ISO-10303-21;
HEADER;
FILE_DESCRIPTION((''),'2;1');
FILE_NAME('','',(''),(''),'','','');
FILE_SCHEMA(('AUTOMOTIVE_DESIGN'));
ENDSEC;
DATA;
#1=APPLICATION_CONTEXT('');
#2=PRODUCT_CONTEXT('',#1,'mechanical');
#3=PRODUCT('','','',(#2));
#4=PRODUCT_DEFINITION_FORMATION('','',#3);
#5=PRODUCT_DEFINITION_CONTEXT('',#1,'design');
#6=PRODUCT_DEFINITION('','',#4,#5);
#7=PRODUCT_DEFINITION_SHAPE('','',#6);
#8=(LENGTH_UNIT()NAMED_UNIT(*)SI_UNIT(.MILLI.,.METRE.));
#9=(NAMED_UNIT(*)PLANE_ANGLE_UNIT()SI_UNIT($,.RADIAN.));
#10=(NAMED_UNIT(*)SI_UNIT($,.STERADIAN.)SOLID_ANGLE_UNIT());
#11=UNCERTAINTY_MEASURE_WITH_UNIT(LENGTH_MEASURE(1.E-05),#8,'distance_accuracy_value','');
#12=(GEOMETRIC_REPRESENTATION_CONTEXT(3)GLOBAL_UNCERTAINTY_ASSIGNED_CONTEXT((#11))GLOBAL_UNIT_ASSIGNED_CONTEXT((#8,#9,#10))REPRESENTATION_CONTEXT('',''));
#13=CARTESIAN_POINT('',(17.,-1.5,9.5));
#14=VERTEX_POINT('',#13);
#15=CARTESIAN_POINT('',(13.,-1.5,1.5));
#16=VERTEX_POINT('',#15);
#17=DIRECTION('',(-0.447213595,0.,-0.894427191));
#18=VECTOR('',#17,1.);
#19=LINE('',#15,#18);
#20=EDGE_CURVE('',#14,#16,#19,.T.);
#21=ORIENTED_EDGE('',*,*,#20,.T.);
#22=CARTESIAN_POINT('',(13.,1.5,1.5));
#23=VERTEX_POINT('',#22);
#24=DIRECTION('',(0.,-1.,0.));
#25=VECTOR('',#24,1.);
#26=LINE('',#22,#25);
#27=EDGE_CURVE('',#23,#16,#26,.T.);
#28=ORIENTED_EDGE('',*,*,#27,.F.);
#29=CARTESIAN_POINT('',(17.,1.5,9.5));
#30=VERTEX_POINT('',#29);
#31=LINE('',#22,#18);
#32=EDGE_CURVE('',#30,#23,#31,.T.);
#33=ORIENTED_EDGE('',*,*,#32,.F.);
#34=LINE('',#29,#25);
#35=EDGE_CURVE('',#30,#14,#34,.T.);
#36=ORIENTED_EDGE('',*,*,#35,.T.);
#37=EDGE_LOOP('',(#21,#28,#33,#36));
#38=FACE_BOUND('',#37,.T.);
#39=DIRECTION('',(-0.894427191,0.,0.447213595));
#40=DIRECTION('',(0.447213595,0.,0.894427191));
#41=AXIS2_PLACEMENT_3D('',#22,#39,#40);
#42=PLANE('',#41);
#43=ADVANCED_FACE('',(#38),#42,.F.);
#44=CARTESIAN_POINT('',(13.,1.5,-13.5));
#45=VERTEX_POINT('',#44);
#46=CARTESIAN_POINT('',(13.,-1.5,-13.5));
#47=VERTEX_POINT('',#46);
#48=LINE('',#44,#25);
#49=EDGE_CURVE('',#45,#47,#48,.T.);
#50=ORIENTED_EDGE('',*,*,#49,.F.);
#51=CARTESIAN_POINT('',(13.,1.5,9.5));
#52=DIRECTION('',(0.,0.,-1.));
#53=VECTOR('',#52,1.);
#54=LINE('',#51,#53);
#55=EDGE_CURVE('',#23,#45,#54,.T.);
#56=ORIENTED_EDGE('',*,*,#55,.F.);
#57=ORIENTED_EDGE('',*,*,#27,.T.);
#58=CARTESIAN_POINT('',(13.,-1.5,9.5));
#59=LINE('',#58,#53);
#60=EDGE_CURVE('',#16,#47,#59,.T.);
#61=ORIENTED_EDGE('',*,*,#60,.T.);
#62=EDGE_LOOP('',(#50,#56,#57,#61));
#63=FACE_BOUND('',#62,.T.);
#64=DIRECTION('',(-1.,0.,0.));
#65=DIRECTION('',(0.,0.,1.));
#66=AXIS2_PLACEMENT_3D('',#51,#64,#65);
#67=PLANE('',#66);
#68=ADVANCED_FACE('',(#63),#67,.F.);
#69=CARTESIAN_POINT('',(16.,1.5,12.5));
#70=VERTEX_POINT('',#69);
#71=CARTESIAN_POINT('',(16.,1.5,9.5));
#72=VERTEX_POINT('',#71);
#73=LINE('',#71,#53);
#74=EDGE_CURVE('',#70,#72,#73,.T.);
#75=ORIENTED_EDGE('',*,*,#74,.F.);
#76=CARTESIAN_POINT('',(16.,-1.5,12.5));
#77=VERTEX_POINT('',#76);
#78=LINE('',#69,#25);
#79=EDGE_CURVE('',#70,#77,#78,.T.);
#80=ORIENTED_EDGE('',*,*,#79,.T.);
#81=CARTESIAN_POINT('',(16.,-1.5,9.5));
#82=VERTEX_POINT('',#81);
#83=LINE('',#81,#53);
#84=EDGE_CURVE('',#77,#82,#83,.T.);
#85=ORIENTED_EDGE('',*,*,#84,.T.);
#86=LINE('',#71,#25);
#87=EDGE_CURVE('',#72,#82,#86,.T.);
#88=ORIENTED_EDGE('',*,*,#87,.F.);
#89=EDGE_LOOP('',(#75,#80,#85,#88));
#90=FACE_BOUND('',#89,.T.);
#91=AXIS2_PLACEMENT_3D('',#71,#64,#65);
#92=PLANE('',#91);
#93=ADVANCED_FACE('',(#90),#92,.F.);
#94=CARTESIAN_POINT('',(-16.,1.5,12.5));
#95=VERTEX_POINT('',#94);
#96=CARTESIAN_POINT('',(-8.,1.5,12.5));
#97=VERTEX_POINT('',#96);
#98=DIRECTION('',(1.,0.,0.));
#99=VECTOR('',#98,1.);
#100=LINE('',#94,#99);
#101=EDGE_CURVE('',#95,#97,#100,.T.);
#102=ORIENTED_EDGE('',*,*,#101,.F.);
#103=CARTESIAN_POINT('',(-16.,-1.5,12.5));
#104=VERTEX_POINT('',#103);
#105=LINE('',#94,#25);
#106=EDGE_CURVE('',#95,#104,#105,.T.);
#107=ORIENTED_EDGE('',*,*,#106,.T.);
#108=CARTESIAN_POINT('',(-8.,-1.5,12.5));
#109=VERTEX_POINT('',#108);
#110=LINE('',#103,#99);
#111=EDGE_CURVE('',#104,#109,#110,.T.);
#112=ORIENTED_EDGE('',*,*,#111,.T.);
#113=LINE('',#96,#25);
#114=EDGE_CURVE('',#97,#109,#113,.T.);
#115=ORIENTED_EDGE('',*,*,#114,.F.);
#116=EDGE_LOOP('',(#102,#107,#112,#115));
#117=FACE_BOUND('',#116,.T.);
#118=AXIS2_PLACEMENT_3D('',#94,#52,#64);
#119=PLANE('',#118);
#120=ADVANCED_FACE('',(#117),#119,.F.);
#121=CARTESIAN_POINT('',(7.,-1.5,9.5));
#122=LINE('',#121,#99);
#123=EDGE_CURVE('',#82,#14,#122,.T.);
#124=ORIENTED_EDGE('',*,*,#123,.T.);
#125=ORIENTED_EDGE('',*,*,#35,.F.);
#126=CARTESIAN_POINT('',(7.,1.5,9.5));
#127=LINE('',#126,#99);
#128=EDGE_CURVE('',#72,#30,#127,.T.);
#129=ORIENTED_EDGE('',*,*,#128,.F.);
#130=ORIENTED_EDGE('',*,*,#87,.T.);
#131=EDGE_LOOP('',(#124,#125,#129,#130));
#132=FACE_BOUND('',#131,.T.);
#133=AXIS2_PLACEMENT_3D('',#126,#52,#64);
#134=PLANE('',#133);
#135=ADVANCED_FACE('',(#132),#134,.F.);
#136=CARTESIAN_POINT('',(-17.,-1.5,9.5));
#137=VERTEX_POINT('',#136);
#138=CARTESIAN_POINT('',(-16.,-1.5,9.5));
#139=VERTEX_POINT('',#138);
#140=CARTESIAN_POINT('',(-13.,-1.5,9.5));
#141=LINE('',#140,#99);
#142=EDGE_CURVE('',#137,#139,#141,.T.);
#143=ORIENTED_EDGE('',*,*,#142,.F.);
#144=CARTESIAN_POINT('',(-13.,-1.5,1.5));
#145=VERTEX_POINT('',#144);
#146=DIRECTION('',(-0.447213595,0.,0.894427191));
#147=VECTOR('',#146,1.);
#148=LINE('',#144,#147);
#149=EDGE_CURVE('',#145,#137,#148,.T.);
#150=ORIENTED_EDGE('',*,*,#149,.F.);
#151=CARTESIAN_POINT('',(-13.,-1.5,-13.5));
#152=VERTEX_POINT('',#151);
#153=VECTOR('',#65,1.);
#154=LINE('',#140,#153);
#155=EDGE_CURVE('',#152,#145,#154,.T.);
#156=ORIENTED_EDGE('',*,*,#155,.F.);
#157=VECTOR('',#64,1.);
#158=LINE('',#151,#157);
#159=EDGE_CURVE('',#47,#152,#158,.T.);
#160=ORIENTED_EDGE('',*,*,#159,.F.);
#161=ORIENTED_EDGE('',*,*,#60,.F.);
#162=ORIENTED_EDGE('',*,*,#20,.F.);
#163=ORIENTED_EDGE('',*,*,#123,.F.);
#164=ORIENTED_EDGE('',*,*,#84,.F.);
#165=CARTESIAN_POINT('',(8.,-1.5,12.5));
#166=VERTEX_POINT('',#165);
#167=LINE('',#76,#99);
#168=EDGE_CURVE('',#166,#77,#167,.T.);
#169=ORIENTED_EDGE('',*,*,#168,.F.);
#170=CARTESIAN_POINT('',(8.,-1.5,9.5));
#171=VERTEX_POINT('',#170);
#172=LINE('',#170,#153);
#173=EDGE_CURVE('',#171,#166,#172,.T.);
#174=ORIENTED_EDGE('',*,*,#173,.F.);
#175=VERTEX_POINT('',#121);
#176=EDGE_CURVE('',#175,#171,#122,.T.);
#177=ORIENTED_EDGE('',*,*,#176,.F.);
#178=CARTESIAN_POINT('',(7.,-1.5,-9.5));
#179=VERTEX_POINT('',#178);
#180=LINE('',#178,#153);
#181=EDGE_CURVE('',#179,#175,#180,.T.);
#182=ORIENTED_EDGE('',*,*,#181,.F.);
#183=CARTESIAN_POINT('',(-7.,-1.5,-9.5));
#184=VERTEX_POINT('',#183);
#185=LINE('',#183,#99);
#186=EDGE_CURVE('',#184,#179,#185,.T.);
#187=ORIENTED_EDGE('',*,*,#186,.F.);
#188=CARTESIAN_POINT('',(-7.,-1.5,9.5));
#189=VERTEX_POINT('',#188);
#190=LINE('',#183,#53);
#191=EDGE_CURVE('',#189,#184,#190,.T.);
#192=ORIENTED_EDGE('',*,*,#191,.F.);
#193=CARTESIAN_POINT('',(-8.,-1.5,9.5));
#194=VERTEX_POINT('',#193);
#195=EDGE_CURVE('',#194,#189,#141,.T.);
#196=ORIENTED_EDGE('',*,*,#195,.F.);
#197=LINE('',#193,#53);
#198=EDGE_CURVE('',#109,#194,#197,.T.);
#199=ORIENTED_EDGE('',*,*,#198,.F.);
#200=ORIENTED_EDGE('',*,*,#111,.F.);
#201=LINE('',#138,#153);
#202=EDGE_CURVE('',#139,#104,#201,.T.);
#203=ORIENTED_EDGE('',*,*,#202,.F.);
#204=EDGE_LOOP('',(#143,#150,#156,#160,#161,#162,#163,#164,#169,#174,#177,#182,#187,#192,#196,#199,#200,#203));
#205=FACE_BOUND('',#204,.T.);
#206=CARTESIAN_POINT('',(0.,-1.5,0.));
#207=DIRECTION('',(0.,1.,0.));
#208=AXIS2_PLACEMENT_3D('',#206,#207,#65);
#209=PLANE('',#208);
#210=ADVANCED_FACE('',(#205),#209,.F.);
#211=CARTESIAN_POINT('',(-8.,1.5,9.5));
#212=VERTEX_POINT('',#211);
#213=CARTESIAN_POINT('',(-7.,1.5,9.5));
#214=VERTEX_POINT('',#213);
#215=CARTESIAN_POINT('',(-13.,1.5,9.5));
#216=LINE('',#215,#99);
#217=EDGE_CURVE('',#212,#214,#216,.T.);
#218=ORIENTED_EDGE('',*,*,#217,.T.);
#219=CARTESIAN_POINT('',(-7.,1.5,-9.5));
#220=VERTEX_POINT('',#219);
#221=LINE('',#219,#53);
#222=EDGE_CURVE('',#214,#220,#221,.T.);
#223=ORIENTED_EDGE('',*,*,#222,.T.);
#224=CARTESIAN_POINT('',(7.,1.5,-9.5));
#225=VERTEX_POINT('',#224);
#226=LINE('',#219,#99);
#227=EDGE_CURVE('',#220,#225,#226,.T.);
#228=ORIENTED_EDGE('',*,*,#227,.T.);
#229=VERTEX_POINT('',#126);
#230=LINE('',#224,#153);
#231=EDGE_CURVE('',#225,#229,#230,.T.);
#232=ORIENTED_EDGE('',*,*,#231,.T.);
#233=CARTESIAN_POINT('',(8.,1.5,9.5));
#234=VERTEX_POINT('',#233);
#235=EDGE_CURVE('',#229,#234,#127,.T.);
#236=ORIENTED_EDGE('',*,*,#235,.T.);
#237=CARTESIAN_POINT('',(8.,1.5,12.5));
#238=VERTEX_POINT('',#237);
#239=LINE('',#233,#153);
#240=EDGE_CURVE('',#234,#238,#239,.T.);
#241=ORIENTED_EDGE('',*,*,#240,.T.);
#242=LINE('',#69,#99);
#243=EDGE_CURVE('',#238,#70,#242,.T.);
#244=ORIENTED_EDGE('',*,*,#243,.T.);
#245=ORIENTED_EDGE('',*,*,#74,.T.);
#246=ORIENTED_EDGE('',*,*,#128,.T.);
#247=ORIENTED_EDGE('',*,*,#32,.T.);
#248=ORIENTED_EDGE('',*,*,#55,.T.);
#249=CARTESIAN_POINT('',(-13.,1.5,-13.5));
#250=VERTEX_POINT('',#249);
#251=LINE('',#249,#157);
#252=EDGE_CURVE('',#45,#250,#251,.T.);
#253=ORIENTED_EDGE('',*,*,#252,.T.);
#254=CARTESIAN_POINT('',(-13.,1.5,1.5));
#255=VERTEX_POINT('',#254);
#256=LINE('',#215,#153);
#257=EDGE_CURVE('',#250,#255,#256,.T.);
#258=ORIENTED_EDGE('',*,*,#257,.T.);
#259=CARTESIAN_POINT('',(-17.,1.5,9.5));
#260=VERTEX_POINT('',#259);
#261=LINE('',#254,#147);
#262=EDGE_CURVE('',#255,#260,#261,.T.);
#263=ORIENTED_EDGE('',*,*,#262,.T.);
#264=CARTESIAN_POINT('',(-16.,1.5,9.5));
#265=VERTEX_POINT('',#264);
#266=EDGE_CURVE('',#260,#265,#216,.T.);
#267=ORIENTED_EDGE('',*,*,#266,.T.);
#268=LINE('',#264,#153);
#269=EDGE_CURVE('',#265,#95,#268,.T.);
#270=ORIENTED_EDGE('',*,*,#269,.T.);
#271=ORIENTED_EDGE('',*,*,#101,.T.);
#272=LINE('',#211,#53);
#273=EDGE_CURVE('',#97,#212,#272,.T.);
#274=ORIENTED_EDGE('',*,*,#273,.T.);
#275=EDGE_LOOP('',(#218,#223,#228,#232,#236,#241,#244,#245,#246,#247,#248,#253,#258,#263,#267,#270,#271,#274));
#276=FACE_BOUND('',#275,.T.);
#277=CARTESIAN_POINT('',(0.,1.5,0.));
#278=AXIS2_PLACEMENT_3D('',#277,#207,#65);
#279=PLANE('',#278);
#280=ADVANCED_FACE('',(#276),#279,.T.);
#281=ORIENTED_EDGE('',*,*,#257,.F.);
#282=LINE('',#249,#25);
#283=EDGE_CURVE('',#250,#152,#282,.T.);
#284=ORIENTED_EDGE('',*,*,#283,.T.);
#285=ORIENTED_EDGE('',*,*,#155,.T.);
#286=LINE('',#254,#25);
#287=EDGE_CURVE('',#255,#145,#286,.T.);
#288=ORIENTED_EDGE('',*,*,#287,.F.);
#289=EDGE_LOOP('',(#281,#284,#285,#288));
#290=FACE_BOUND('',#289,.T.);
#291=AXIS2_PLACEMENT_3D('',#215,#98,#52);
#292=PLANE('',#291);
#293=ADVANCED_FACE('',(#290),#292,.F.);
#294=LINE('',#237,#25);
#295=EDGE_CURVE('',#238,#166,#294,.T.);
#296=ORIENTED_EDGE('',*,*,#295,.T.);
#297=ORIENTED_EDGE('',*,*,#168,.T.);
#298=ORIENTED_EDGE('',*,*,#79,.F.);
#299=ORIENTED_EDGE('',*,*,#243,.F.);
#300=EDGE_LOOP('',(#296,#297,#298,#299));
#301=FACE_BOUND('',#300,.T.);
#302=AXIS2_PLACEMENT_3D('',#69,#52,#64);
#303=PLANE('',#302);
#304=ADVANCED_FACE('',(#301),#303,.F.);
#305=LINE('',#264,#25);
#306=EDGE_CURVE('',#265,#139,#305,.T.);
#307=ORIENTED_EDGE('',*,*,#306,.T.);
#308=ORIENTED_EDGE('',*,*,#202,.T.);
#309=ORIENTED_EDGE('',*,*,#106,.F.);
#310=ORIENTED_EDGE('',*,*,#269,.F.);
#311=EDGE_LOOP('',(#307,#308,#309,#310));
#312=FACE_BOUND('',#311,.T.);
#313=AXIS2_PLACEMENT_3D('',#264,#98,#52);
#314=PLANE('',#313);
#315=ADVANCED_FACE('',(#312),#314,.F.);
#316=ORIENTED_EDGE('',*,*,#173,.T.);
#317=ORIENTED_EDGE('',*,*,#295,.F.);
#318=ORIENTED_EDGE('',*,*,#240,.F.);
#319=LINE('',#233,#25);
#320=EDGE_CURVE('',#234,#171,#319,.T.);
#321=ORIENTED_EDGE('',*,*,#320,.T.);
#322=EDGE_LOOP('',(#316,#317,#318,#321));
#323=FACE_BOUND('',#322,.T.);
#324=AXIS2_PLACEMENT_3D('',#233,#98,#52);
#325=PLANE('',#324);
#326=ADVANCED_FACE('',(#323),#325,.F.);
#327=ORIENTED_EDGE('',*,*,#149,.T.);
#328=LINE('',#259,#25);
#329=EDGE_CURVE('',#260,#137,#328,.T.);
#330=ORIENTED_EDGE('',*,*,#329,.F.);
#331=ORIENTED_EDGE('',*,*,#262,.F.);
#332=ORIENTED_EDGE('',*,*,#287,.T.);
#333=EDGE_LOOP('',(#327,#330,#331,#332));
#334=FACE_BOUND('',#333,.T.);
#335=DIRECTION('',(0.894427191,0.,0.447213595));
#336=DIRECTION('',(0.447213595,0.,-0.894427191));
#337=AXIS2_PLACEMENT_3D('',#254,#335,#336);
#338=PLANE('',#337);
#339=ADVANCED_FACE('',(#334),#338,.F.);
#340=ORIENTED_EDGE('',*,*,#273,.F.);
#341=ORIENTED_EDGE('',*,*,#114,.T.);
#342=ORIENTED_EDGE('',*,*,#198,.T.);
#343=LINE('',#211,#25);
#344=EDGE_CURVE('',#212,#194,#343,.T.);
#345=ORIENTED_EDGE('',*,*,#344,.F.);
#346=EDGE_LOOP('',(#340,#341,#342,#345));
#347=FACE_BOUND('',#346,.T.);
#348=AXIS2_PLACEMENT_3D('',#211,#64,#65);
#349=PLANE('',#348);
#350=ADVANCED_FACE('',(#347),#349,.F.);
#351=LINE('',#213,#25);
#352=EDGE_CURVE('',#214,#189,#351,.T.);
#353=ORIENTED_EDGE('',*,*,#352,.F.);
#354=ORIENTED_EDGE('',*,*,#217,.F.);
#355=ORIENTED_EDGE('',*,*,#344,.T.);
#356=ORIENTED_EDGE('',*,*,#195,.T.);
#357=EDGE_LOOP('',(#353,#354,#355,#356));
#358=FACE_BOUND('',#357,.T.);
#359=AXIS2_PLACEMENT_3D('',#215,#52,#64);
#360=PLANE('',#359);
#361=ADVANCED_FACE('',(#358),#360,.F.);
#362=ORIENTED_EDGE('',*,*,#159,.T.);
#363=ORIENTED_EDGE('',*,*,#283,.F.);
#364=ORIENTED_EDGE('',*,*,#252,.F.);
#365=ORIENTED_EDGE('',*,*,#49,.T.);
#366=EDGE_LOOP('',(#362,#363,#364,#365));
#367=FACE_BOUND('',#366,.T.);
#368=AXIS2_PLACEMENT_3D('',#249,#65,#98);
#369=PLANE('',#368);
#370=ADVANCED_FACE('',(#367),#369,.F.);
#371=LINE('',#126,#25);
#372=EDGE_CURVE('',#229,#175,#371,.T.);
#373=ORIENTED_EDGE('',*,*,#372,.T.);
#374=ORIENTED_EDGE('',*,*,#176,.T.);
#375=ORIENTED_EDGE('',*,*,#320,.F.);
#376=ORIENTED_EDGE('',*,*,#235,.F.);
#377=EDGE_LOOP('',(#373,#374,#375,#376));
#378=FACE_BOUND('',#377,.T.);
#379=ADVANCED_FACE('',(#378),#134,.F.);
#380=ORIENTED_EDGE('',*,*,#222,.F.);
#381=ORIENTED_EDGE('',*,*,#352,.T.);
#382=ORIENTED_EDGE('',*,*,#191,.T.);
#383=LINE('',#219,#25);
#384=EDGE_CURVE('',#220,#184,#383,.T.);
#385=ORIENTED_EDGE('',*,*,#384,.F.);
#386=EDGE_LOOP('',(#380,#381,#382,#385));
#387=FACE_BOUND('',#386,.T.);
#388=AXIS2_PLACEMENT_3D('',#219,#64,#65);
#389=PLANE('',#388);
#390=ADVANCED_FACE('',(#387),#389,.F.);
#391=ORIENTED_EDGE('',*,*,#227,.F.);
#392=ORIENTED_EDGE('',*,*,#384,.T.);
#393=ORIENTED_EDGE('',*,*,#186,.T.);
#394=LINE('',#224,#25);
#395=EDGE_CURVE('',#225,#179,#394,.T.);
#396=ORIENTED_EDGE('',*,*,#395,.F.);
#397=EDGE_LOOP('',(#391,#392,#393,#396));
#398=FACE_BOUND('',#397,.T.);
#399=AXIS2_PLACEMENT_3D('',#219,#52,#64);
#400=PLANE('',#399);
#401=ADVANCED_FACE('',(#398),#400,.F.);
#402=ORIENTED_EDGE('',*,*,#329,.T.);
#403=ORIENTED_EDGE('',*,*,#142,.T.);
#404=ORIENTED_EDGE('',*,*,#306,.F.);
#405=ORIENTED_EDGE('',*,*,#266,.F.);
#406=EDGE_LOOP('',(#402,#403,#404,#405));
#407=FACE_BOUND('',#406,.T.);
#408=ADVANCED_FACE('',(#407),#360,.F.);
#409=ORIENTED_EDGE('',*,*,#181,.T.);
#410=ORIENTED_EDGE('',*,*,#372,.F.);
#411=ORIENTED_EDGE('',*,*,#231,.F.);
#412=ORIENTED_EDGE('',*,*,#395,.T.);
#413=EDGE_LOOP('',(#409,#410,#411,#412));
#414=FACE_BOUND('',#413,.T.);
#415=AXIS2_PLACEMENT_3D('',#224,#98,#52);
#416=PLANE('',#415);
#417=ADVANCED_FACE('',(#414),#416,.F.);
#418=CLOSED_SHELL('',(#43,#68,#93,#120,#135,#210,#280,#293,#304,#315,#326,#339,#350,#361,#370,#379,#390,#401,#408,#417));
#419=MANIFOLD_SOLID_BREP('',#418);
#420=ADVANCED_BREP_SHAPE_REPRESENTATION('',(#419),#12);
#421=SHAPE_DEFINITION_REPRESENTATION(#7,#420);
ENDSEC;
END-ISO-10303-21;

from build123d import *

# Parameters (mm, degrees)
BOSS_EXTRUDE1_DEPTH = 1.5
BOSS_EXTRUDE2_DEPTH = 1.5
SKETCH3_W           = 8
SKETCH3_H           = 3
BOSS_EXTRUDE3_DEPTH = 1.5


with BuildPart() as part:
    # Sketch1 → Boss-Extrude1 (new body, symmetric)
    with BuildSketch(Plane(origin=(0, 0, 0), x_dir=(1, 0, 0), z_dir=(0, 1, 0))):
        Polygon((7, -9.5), (13, -9.5), (13, 13.5), (-13, 13.5), (-13, -9.5), (-7, -9.5), (-7, 9.5), (7, 9.5), align=None)
    extrude(amount=BOSS_EXTRUDE1_DEPTH, both=True)

    # Sketch2 → Boss-Extrude2 (add, symmetric)
    with BuildSketch(Plane(origin=(0, 0, 0), x_dir=(1, 0, 0), z_dir=(0, 1, 0))):
        Polygon((-13, -1.5), (-17, -9.5), (-13, -9.5), align=None)
        Polygon((13, -9.5), (13, -1.5), (17, -9.5), align=None)
    extrude(amount=BOSS_EXTRUDE2_DEPTH, both=True)

    # Sketch3 → Boss-Extrude3 (add, symmetric)
    with BuildSketch(Plane(origin=(0, 0, 0), x_dir=(1, 0, 0), z_dir=(0, 1, 0))):
        with Locations((-12, -11)):
            Rectangle(SKETCH3_W, SKETCH3_H)
        with Locations((12, -11)):
            Rectangle(SKETCH3_W, SKETCH3_H)
    extrude(amount=BOSS_EXTRUDE3_DEPTH, both=True)


solid = part.part
